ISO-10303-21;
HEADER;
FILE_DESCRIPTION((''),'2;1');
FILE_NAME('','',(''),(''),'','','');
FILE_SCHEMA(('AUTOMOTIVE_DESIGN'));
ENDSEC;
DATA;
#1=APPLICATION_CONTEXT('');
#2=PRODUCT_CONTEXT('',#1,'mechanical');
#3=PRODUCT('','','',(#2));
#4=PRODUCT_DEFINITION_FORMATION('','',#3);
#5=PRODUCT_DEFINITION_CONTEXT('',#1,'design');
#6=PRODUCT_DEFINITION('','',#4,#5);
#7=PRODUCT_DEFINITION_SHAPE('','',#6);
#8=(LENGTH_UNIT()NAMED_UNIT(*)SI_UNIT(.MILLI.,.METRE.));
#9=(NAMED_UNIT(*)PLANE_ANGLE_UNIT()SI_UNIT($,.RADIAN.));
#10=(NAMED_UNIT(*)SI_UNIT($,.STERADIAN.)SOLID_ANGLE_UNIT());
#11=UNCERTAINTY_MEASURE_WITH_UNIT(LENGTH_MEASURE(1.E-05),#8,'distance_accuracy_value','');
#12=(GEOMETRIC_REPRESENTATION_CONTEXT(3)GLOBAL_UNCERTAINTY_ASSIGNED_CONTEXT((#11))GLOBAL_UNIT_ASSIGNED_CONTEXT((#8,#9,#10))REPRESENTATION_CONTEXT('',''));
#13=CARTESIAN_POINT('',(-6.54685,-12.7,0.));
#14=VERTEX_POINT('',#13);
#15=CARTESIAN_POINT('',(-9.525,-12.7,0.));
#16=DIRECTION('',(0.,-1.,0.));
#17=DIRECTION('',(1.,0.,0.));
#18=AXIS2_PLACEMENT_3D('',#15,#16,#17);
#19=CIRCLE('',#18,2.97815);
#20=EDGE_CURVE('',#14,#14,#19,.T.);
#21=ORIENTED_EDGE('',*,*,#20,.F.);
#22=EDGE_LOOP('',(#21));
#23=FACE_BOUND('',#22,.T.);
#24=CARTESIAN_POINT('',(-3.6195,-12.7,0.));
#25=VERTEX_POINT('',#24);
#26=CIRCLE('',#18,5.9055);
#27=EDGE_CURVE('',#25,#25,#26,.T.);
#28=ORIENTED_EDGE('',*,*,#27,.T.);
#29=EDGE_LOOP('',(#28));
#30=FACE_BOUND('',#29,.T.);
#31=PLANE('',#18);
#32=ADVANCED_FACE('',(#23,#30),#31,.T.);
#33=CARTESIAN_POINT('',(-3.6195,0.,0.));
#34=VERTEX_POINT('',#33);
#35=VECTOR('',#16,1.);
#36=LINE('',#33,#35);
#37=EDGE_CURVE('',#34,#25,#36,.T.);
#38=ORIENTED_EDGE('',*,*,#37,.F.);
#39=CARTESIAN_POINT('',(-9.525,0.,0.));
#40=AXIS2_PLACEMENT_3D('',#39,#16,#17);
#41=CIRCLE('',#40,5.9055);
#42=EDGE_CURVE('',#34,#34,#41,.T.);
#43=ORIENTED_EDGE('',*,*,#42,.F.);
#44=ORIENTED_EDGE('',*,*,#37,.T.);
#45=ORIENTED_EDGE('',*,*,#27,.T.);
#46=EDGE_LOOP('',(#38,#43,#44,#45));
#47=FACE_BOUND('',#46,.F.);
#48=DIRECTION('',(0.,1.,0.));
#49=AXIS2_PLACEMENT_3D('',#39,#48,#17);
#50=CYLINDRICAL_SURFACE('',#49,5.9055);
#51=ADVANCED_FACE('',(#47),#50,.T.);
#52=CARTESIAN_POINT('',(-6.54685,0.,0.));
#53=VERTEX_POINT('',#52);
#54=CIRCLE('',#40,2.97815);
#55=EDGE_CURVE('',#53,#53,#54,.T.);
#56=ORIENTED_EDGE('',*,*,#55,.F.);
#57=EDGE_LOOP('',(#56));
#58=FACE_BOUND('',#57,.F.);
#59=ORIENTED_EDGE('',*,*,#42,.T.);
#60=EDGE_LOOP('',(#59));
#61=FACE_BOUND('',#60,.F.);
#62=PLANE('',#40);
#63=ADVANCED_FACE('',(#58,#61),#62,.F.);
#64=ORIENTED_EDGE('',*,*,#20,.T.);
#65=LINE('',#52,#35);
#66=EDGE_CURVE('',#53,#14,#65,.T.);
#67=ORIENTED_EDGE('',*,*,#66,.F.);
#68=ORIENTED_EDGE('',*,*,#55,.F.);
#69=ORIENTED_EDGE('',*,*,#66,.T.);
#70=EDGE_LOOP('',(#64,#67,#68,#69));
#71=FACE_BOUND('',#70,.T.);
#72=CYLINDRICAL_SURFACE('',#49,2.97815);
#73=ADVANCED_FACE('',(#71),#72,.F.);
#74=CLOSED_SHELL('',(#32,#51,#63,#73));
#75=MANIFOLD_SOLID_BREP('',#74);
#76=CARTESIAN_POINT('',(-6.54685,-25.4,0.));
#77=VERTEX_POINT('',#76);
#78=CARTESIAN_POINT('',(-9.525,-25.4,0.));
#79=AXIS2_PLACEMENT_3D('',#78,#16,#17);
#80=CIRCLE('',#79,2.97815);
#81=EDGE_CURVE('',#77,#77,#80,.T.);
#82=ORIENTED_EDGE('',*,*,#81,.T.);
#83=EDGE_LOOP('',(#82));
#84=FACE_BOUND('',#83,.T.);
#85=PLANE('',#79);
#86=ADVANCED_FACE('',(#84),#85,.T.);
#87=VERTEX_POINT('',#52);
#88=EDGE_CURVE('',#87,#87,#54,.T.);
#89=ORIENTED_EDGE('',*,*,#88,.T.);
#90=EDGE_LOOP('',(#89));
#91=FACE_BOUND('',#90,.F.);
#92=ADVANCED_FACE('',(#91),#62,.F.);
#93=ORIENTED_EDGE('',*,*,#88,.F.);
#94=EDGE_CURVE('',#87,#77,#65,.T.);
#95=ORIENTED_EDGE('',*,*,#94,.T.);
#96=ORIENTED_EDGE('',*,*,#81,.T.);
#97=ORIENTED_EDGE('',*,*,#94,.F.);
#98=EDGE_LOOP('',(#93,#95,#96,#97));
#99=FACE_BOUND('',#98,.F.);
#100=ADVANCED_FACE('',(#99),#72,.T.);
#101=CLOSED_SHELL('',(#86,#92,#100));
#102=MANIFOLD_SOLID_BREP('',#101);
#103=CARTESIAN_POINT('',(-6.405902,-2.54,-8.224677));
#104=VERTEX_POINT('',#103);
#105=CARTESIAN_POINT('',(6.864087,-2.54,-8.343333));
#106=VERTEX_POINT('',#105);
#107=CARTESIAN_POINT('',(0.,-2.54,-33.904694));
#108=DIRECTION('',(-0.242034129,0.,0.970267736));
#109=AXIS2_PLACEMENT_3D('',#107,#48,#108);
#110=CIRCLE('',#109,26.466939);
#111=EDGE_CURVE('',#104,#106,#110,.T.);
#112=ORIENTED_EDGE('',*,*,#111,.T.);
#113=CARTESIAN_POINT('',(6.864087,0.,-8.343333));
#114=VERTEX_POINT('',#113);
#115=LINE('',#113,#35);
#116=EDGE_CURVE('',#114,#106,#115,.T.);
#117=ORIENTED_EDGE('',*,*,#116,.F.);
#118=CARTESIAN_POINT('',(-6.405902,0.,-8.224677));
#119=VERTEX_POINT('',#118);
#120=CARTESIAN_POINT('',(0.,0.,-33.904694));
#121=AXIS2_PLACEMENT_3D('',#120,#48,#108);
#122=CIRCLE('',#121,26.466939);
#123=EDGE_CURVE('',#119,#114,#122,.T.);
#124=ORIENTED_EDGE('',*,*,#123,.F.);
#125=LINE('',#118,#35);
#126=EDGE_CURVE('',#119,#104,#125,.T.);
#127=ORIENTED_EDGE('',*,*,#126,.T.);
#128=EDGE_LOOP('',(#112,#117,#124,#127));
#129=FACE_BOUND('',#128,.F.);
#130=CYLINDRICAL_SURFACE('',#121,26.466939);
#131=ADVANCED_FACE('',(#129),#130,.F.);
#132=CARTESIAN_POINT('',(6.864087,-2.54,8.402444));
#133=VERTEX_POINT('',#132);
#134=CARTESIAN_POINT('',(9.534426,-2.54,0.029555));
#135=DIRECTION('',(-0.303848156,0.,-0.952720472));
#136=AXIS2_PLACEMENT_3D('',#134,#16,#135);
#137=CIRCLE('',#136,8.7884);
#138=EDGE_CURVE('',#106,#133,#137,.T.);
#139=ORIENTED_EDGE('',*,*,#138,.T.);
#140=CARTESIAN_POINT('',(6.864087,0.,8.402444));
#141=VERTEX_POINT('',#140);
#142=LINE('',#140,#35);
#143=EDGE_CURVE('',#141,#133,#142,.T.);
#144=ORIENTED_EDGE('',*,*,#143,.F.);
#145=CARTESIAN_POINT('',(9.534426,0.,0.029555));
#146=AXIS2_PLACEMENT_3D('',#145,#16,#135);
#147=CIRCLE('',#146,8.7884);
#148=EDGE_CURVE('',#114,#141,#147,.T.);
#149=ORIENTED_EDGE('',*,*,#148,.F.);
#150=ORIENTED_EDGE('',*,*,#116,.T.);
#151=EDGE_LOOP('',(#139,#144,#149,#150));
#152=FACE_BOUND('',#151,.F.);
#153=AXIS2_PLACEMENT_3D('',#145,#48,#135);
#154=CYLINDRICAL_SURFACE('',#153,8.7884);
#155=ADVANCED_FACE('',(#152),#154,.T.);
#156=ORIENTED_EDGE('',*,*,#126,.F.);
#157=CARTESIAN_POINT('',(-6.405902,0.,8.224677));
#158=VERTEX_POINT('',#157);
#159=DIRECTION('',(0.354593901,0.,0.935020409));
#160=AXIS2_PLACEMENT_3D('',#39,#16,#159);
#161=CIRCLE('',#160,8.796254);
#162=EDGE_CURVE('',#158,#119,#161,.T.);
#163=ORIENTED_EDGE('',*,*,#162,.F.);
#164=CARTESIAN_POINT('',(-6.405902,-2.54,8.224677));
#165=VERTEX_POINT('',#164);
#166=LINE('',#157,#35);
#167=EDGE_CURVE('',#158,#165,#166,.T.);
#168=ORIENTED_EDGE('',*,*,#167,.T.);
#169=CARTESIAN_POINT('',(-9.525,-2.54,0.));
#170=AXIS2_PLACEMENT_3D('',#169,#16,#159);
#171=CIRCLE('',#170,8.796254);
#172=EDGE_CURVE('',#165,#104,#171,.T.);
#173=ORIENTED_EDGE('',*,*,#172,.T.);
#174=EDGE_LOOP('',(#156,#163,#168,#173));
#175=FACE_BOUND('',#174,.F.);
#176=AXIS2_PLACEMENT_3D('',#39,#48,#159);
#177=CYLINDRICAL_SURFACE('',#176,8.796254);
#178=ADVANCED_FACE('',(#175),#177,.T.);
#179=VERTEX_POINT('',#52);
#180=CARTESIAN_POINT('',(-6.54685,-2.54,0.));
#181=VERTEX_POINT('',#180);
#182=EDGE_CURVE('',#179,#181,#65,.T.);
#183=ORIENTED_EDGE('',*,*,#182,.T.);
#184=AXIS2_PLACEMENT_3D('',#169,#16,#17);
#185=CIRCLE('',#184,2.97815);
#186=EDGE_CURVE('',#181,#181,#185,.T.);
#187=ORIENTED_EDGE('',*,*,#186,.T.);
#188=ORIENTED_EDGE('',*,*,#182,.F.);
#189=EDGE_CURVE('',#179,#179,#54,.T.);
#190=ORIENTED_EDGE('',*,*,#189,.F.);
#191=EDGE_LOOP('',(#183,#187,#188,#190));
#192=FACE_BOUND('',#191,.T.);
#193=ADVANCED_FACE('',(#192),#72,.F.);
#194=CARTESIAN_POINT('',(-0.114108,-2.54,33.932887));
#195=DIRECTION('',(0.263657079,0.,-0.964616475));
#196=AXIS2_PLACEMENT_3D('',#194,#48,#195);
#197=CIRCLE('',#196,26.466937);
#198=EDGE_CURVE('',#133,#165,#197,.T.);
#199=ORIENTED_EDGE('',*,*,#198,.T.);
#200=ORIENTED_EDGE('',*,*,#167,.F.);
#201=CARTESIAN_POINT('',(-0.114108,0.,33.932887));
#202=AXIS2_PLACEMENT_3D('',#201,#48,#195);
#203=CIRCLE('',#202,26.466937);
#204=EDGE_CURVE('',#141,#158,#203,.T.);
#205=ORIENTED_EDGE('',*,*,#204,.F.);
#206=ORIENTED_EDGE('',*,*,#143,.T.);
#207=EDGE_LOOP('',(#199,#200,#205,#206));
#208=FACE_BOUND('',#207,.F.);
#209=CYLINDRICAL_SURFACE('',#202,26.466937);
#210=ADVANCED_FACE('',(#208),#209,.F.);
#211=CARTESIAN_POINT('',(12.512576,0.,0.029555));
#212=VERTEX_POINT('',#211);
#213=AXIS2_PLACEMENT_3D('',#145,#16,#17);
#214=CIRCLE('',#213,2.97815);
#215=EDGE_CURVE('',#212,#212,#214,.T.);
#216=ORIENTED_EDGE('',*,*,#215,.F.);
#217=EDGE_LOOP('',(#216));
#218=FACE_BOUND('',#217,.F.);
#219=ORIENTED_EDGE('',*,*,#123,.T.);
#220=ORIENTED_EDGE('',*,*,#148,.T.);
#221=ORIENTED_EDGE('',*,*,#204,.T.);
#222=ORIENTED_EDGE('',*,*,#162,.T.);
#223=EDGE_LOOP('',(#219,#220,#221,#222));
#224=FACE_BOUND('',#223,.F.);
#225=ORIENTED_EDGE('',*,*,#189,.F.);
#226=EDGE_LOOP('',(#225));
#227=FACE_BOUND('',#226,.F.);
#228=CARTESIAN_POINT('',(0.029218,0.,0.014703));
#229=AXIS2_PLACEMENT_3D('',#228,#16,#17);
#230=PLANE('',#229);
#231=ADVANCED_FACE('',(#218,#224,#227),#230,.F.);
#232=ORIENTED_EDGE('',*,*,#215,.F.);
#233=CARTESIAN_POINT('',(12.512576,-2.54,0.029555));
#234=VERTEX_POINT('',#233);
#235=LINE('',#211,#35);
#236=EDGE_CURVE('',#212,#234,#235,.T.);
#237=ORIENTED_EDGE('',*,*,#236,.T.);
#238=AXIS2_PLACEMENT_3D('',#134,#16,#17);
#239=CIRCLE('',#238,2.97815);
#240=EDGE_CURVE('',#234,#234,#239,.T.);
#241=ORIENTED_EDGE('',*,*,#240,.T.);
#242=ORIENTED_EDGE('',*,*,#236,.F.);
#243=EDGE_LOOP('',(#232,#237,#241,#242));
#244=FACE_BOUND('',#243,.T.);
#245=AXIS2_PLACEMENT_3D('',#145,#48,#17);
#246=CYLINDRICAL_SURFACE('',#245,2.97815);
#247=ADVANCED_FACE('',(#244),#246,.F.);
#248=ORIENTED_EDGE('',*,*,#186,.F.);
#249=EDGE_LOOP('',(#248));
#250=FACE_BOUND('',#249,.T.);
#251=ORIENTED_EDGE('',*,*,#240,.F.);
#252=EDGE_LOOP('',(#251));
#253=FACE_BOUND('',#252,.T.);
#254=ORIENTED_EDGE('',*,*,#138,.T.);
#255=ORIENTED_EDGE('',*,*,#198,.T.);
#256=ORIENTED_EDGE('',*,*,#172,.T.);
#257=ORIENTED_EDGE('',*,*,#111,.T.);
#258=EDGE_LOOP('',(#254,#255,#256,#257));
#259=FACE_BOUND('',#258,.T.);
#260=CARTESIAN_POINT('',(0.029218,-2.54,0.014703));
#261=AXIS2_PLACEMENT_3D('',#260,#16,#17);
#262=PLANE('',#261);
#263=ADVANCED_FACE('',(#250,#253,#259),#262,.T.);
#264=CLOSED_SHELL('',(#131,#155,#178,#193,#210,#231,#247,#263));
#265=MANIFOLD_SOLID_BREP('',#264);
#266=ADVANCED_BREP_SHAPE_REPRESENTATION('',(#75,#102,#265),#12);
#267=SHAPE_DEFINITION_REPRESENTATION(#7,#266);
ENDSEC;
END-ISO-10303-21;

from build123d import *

# Parameters (mm, degrees)
F0_R     = 2.97815
F1_DEPTH = 2.54
F2_DEPTH = 25.4
F3_R     = 5.9055
F3_R_2   = 2.97815
F4_DEPTH = 12.7


with BuildPart() as f1:
    # F0 (on Front) → F1 (new body)
    with BuildSketch(Plane.XZ):
        with BuildLine():
            ThreePointArc((6.864087, 8.402444), (0.240415, 7.468325), (-6.405902, 8.224677))
            ThreePointArc((-6.405902, 8.224677), (-18.321254, 0), (-6.405902, -8.224677))
            ThreePointArc((-6.405902, -8.224677), (0.23665, -7.438813), (6.864087, -8.343333))
            ThreePointArc((6.864087, -8.343333), (18.322826, 0.029555), (6.864087, 8.402444))
        make_face()
        with Locations((-9.525, 0)):
            Circle(F0_R, mode=Mode.SUBTRACT)
        with Locations((9.534426, 0.029555)):
            Circle(F0_R, mode=Mode.SUBTRACT)
    extrude(amount=F1_DEPTH)


with BuildPart() as f2:
    # F0 (on Front) → F2 (new body)
    with BuildSketch(Plane.XZ):
        with Locations((-9.525, 0)):
            Circle(F0_R)
    extrude(amount=F2_DEPTH)


with BuildPart() as f4:
    # F3 (on face) → F4 (new body)
    with BuildSketch(Plane.XZ):
        with Locations((-9.525, 0)):
            Circle(F3_R)
        with Locations((-9.525, 0)):
            Circle(F3_R_2, mode=Mode.SUBTRACT)
    extrude(amount=F4_DEPTH)


solid = Compound([f1.part, f2.part, f4.part])
